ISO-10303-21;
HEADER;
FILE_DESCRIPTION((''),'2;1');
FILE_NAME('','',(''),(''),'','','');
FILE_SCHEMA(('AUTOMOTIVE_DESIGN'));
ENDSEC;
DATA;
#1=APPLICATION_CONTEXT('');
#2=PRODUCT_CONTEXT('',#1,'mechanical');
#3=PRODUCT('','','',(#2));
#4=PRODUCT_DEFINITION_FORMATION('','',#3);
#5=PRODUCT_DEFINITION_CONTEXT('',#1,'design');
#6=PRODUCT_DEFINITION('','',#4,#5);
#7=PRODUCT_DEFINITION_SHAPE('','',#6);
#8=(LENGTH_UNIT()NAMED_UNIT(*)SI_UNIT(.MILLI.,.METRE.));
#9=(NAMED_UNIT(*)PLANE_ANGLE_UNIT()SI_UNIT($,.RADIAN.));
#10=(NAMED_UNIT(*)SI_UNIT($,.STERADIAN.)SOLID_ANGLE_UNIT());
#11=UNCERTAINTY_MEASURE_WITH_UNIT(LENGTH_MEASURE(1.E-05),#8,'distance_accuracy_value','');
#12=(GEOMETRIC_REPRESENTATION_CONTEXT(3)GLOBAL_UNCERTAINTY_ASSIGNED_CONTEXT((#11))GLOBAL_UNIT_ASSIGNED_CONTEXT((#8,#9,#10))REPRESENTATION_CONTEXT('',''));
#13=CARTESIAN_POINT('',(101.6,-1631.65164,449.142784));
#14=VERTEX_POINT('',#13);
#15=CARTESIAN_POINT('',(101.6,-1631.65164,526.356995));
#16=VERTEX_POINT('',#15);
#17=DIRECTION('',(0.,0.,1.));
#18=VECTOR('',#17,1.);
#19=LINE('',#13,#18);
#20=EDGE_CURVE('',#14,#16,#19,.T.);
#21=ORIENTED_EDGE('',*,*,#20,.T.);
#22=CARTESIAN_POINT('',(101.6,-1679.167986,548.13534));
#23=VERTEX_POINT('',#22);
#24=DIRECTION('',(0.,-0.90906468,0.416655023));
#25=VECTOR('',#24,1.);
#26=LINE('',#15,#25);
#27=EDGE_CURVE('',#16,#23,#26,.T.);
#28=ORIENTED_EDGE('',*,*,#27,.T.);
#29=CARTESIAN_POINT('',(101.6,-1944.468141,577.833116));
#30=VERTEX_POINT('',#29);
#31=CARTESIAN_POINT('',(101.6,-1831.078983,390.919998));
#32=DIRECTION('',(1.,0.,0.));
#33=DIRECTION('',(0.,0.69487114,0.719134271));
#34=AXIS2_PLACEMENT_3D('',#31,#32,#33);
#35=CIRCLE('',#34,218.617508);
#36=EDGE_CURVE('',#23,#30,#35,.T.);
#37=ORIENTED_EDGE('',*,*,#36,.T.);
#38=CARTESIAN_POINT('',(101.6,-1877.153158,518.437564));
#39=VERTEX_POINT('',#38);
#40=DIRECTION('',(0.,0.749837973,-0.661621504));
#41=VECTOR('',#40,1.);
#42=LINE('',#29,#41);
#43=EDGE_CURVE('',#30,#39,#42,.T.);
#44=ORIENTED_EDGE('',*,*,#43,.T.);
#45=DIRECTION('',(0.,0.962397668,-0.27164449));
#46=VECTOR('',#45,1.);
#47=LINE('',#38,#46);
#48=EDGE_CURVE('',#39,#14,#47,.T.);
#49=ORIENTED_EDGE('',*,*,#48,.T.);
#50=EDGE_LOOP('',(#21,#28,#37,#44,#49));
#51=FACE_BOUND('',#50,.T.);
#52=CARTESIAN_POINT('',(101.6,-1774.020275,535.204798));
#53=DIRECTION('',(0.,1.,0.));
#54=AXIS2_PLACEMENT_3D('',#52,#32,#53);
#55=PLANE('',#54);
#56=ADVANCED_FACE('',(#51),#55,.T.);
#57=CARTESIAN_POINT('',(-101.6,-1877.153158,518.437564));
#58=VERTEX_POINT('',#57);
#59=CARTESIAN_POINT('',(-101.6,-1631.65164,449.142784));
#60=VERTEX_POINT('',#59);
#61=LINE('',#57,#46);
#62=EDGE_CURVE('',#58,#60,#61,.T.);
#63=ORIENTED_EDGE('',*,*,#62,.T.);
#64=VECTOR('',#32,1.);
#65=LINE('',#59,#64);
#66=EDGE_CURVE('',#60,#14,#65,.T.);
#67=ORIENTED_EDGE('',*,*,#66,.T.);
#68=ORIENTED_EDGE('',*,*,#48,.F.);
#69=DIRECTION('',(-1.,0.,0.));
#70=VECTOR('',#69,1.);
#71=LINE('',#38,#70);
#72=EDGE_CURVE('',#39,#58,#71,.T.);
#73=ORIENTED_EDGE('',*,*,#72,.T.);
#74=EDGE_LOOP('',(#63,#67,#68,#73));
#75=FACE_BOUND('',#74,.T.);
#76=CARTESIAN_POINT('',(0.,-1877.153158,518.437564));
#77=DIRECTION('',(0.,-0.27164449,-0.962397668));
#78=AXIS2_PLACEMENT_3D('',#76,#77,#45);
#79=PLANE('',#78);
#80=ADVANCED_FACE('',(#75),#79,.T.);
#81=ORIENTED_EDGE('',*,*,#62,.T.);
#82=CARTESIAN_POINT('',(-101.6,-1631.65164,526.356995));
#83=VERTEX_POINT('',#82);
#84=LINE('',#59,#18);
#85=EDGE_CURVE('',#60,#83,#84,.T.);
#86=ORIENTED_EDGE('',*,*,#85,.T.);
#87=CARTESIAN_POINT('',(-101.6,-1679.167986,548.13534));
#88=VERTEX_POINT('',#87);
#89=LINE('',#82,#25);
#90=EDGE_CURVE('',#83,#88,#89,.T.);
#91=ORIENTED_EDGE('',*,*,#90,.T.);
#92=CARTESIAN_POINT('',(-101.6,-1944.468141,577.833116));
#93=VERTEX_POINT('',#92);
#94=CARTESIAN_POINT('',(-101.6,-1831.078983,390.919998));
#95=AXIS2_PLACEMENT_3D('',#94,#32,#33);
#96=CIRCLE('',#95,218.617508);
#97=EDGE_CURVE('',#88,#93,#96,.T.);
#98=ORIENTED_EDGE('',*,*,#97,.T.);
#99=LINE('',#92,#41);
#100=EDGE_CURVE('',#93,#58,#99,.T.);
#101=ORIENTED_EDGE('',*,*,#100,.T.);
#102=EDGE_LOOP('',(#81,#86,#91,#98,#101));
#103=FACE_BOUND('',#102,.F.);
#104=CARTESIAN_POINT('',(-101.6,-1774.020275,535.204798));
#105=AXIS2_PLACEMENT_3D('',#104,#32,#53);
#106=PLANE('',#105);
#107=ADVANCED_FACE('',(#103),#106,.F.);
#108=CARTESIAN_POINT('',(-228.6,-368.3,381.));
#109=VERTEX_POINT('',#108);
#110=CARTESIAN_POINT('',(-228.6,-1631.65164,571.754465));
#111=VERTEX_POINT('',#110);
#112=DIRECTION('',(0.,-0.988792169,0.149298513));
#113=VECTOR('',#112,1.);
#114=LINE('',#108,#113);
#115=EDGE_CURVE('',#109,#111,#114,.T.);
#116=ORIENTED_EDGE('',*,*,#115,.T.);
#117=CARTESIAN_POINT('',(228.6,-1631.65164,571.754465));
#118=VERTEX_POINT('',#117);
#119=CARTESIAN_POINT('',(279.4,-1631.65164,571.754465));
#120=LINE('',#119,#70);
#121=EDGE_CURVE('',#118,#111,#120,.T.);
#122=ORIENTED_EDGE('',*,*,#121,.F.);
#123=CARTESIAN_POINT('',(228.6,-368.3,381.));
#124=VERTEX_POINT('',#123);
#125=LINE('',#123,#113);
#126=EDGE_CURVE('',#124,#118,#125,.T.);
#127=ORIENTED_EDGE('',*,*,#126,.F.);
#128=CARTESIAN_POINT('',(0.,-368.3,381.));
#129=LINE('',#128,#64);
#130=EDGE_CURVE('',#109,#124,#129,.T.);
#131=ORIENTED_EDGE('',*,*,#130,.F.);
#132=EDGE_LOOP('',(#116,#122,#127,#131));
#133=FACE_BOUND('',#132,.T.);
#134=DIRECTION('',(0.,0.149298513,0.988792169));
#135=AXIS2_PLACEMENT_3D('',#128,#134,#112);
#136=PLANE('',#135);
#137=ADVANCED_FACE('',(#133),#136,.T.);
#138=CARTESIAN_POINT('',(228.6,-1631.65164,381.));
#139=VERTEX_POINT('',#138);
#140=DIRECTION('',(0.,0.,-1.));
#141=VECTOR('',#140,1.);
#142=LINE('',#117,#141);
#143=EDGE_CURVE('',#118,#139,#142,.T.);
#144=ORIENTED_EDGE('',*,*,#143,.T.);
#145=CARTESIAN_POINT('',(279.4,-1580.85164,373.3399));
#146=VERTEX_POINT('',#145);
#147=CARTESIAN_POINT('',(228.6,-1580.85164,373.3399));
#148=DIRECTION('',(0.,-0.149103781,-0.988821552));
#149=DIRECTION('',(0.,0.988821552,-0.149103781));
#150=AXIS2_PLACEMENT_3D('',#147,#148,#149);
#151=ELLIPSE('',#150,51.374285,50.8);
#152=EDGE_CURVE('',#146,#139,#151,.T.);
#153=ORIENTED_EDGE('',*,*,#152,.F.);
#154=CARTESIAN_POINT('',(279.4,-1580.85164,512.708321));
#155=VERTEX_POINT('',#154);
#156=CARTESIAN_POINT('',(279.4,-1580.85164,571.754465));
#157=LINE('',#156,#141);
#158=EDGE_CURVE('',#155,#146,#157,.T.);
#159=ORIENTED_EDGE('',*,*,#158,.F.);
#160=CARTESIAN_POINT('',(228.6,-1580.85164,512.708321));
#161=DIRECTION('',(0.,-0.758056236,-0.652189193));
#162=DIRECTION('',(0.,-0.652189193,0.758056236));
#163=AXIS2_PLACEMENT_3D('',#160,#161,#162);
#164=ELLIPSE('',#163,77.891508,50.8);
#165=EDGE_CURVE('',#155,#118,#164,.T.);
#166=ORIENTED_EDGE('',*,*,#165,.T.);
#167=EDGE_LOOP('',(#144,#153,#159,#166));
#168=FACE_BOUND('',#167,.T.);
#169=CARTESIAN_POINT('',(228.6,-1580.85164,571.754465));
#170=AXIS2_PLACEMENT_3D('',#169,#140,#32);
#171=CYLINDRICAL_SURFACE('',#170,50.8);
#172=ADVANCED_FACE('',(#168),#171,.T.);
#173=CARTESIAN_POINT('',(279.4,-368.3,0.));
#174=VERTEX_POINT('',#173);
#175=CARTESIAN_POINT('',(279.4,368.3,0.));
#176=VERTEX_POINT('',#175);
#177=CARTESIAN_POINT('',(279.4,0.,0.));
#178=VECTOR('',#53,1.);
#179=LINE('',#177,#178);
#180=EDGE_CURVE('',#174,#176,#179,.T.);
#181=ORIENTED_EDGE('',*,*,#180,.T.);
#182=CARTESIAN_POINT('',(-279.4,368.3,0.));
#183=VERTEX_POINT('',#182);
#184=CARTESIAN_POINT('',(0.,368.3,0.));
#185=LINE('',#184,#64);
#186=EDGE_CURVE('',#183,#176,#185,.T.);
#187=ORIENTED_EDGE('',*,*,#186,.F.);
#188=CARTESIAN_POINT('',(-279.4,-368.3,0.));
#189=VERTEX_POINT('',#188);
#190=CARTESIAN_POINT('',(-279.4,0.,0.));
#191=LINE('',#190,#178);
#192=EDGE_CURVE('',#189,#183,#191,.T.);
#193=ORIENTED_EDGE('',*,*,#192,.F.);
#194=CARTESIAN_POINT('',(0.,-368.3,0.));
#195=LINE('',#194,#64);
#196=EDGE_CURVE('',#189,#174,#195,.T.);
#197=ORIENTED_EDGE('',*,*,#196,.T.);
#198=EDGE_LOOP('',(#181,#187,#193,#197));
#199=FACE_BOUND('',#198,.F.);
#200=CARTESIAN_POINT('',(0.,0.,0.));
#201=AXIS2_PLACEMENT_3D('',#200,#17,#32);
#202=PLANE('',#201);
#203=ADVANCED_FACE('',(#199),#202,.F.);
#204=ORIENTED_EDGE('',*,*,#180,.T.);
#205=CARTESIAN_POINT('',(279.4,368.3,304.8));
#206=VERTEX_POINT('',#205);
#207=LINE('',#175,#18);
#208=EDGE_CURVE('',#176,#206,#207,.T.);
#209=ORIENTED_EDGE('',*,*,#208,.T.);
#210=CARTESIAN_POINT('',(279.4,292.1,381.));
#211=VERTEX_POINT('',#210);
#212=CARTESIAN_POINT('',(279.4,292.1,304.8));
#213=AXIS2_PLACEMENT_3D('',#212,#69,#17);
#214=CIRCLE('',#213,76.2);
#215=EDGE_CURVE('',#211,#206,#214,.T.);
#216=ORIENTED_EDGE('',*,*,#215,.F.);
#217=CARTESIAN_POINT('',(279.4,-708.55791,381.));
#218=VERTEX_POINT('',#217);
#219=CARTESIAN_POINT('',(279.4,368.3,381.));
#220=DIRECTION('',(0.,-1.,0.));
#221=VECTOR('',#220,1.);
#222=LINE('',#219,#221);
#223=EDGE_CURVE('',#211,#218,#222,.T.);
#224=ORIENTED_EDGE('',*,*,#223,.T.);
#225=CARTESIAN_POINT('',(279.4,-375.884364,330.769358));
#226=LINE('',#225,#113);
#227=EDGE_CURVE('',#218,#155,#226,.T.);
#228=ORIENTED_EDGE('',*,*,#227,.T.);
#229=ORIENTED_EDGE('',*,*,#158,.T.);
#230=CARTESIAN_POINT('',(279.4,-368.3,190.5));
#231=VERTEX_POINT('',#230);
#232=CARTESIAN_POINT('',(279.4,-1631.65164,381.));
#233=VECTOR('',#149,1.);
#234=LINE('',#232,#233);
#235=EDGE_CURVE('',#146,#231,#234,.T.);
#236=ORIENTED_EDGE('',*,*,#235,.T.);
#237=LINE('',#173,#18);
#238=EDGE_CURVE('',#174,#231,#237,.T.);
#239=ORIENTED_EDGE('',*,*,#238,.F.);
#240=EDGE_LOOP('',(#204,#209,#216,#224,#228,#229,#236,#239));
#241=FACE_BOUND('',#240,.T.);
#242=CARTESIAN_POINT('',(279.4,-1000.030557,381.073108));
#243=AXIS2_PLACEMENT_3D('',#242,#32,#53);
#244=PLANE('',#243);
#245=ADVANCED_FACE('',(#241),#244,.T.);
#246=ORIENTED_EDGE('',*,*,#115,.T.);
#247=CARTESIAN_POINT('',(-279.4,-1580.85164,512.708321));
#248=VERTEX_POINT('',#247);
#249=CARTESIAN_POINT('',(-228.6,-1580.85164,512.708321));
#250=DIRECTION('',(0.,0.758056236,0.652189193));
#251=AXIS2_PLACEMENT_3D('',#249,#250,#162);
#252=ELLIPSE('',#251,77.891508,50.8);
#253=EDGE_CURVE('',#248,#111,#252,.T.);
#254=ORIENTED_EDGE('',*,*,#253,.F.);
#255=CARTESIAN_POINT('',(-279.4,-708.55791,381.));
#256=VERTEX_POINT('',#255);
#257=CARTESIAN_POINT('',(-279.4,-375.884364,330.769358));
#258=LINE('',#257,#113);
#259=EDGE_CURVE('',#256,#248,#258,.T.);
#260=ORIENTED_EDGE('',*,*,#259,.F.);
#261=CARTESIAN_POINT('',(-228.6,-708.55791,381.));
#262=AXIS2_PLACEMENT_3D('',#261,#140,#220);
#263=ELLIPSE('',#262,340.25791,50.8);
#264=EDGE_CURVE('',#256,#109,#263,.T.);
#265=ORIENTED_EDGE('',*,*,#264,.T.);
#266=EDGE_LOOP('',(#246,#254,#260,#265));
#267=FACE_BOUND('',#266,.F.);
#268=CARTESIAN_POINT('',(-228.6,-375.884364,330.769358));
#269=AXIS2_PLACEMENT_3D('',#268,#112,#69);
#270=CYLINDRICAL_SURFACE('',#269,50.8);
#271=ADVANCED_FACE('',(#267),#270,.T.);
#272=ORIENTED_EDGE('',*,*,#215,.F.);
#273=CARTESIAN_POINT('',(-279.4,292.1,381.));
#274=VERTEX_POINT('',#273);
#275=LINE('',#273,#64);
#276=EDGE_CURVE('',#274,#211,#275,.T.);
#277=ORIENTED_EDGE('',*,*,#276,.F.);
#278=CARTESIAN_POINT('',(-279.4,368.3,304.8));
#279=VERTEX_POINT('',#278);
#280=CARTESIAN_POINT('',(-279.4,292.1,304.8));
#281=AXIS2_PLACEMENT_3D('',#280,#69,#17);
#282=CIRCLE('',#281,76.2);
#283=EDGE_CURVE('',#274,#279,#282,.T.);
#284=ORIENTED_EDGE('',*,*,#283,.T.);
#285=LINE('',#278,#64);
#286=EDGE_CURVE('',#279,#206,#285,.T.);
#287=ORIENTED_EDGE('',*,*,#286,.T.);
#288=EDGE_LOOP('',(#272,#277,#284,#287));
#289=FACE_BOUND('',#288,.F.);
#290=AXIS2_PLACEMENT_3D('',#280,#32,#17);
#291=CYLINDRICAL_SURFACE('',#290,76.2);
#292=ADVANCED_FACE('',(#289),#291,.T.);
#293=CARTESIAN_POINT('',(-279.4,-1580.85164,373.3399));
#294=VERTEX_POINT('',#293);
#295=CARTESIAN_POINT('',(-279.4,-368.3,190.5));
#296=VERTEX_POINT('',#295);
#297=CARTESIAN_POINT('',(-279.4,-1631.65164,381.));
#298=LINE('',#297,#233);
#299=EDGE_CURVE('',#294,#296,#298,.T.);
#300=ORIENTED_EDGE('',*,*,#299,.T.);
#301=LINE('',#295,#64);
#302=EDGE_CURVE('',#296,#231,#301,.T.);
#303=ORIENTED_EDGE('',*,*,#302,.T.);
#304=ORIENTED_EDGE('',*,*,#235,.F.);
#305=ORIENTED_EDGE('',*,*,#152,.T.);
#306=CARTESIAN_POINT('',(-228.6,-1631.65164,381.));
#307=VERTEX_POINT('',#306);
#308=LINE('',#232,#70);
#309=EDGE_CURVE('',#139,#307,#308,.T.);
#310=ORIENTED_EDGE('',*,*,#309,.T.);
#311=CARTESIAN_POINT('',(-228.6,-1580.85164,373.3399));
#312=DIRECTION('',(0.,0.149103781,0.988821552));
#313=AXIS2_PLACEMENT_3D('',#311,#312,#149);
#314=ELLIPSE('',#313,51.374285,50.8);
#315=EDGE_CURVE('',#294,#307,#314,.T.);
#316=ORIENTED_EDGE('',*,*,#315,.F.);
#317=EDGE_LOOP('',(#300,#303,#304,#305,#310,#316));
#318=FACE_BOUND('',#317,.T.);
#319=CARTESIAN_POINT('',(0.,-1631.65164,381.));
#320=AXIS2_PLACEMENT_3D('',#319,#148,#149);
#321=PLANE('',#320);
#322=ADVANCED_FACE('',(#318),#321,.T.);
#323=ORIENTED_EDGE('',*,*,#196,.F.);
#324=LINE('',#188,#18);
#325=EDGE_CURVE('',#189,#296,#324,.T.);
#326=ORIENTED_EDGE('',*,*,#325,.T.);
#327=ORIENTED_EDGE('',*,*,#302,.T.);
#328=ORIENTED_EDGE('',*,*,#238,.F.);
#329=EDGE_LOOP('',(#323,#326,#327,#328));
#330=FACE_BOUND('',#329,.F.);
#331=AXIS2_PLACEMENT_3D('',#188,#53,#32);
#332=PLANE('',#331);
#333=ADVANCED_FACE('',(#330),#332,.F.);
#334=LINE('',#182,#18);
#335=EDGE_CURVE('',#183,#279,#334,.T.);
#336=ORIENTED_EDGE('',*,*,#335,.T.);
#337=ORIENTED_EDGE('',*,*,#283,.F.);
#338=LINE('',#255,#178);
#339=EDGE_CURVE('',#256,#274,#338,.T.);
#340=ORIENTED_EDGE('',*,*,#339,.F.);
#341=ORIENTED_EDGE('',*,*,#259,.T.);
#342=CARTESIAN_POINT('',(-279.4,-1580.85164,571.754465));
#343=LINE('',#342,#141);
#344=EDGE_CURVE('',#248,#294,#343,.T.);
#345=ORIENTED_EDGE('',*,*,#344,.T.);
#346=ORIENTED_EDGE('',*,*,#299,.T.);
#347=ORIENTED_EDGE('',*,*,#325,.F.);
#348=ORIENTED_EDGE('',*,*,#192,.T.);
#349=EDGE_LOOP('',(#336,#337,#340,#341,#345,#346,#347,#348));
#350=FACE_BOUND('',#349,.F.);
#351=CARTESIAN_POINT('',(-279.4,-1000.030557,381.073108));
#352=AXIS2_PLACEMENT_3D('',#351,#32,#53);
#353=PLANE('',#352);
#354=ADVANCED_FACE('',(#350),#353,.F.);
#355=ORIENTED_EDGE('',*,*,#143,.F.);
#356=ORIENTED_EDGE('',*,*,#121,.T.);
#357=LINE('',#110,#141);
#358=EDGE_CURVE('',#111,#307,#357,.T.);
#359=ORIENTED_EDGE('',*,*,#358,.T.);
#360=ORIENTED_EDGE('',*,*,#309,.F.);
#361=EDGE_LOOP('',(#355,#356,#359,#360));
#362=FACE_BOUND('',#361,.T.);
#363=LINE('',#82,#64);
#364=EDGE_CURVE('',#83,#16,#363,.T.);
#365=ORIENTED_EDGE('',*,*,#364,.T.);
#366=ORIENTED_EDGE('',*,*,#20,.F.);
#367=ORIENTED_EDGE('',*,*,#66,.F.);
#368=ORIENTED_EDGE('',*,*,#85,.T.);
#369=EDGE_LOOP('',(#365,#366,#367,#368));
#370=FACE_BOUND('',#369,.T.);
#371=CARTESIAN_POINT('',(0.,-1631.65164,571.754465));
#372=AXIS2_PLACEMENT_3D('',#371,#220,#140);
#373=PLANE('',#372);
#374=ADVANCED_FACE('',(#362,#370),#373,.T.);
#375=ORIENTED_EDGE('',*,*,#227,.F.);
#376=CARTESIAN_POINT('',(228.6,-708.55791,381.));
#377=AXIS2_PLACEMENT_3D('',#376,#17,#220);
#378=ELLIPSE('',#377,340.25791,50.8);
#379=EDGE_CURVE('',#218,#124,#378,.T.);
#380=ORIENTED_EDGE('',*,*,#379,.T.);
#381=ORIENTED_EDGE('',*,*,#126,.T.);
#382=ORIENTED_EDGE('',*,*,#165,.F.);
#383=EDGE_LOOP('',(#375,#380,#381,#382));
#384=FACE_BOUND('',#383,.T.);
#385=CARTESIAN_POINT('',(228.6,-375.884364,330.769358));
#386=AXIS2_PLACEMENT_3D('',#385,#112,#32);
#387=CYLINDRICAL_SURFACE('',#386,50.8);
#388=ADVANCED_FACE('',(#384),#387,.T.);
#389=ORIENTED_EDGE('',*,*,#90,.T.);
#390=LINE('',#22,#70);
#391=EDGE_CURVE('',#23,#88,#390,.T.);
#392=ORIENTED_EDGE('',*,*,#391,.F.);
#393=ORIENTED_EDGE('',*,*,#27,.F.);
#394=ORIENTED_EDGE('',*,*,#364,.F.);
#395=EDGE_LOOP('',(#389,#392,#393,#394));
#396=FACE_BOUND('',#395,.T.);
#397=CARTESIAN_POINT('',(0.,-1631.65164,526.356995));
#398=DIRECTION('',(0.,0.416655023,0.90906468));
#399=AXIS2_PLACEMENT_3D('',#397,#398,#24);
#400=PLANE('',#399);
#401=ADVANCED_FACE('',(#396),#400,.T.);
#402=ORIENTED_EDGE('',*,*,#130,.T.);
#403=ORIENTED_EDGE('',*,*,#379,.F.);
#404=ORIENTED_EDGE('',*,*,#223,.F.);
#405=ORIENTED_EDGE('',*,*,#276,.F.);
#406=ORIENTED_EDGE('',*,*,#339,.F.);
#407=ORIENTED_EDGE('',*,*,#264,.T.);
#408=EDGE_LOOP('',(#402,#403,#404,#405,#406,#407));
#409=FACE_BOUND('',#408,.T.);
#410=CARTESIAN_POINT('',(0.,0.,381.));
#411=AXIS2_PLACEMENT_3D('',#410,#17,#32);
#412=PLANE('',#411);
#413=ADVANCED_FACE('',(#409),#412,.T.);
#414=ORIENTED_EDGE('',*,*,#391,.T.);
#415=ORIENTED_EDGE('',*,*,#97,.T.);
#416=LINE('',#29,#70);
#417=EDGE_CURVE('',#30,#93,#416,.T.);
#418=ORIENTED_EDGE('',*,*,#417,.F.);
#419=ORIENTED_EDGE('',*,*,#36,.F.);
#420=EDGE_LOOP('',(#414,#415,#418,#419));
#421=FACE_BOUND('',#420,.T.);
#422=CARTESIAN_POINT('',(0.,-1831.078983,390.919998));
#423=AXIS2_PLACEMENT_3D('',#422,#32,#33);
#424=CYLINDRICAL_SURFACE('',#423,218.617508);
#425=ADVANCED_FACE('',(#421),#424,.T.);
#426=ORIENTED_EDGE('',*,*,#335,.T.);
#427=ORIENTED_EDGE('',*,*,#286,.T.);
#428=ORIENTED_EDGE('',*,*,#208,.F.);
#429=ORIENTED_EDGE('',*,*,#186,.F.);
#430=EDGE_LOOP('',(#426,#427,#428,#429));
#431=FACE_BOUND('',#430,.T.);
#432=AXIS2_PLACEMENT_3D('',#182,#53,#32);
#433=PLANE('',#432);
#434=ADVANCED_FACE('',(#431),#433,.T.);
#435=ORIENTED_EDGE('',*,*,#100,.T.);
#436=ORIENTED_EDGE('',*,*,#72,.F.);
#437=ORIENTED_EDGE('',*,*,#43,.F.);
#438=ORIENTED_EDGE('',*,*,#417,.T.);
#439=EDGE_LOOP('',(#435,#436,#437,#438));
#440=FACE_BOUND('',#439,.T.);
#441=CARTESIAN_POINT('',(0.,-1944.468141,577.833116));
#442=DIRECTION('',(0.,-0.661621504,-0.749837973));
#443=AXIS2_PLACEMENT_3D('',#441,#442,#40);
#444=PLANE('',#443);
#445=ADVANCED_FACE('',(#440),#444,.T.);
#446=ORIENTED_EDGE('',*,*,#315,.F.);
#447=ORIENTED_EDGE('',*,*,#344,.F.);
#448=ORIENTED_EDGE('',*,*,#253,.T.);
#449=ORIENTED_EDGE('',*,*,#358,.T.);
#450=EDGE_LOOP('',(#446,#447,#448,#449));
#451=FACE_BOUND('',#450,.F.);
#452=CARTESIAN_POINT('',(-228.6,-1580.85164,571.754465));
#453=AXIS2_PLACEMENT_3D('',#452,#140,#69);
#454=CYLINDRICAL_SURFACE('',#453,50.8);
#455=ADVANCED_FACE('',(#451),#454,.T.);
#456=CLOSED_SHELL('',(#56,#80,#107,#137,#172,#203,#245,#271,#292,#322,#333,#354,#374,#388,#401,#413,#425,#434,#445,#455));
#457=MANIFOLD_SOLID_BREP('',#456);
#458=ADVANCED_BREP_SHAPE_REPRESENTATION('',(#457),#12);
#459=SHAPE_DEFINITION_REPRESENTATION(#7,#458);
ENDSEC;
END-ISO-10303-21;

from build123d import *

# Parameters (mm, degrees)
F0_W     = 558.8
F0_H     = 736.6
F1_DEPTH = 381
F3_DEPTH = 279.4
F5_DEPTH = 101.6
F6_R     = 50.8
F7_R     = 76.2


with BuildPart() as f1:
    # F0 (on Top) → F1 (new body)
    with BuildSketch(Plane.XY):
        Rectangle(F0_W, F0_H)
    extrude(amount=F1_DEPTH)

    # F2 (on Right) → F3 (join, symmetric)
    with BuildSketch(Plane.YZ):
        Polygon((-1631.65164, 381), (-368.3, 190.5), (-368.3, 381), (-1631.65164, 571.754465), align=None)
    extrude(amount=F3_DEPTH, both=True)

    # F4 (on Right) → F5 (join, symmetric)
    with BuildSketch(Plane.YZ):
        with BuildLine():
            Line((-1877.153158, 518.437564), (-1631.65164, 449.142784))
            Line((-1631.65164, 449.142784), (-1631.65164, 526.356995))
            Line((-1631.65164, 526.356995), (-1679.167986, 548.13534))
            ThreePointArc((-1679.167986, 548.13534), (-1806.758775, 608.180538), (-1944.468141, 577.833116))
            Line((-1944.468141, 577.833116), (-1877.153158, 518.437564))
        make_face()
    extrude(amount=F5_DEPTH, both=True)

    # F6
    f6_edges = [f1.edges().sort_by_distance(p)[0] for p in [
        (279.4, -999.97582, 476.377233),
        (-279.4, -999.97582, 476.377233),
        (-279.4, -1631.65164, 476.377233),
        (279.4, -1631.65164, 476.377233),
    ]]
    fillet(f6_edges, radius=F6_R)

    # F7
    f7_edges = [f1.edges().sort_by_distance(p)[0] for p in [
        (0, 368.3, 381),
    ]]
    fillet(f7_edges, radius=F7_R)


solid = f1.part
